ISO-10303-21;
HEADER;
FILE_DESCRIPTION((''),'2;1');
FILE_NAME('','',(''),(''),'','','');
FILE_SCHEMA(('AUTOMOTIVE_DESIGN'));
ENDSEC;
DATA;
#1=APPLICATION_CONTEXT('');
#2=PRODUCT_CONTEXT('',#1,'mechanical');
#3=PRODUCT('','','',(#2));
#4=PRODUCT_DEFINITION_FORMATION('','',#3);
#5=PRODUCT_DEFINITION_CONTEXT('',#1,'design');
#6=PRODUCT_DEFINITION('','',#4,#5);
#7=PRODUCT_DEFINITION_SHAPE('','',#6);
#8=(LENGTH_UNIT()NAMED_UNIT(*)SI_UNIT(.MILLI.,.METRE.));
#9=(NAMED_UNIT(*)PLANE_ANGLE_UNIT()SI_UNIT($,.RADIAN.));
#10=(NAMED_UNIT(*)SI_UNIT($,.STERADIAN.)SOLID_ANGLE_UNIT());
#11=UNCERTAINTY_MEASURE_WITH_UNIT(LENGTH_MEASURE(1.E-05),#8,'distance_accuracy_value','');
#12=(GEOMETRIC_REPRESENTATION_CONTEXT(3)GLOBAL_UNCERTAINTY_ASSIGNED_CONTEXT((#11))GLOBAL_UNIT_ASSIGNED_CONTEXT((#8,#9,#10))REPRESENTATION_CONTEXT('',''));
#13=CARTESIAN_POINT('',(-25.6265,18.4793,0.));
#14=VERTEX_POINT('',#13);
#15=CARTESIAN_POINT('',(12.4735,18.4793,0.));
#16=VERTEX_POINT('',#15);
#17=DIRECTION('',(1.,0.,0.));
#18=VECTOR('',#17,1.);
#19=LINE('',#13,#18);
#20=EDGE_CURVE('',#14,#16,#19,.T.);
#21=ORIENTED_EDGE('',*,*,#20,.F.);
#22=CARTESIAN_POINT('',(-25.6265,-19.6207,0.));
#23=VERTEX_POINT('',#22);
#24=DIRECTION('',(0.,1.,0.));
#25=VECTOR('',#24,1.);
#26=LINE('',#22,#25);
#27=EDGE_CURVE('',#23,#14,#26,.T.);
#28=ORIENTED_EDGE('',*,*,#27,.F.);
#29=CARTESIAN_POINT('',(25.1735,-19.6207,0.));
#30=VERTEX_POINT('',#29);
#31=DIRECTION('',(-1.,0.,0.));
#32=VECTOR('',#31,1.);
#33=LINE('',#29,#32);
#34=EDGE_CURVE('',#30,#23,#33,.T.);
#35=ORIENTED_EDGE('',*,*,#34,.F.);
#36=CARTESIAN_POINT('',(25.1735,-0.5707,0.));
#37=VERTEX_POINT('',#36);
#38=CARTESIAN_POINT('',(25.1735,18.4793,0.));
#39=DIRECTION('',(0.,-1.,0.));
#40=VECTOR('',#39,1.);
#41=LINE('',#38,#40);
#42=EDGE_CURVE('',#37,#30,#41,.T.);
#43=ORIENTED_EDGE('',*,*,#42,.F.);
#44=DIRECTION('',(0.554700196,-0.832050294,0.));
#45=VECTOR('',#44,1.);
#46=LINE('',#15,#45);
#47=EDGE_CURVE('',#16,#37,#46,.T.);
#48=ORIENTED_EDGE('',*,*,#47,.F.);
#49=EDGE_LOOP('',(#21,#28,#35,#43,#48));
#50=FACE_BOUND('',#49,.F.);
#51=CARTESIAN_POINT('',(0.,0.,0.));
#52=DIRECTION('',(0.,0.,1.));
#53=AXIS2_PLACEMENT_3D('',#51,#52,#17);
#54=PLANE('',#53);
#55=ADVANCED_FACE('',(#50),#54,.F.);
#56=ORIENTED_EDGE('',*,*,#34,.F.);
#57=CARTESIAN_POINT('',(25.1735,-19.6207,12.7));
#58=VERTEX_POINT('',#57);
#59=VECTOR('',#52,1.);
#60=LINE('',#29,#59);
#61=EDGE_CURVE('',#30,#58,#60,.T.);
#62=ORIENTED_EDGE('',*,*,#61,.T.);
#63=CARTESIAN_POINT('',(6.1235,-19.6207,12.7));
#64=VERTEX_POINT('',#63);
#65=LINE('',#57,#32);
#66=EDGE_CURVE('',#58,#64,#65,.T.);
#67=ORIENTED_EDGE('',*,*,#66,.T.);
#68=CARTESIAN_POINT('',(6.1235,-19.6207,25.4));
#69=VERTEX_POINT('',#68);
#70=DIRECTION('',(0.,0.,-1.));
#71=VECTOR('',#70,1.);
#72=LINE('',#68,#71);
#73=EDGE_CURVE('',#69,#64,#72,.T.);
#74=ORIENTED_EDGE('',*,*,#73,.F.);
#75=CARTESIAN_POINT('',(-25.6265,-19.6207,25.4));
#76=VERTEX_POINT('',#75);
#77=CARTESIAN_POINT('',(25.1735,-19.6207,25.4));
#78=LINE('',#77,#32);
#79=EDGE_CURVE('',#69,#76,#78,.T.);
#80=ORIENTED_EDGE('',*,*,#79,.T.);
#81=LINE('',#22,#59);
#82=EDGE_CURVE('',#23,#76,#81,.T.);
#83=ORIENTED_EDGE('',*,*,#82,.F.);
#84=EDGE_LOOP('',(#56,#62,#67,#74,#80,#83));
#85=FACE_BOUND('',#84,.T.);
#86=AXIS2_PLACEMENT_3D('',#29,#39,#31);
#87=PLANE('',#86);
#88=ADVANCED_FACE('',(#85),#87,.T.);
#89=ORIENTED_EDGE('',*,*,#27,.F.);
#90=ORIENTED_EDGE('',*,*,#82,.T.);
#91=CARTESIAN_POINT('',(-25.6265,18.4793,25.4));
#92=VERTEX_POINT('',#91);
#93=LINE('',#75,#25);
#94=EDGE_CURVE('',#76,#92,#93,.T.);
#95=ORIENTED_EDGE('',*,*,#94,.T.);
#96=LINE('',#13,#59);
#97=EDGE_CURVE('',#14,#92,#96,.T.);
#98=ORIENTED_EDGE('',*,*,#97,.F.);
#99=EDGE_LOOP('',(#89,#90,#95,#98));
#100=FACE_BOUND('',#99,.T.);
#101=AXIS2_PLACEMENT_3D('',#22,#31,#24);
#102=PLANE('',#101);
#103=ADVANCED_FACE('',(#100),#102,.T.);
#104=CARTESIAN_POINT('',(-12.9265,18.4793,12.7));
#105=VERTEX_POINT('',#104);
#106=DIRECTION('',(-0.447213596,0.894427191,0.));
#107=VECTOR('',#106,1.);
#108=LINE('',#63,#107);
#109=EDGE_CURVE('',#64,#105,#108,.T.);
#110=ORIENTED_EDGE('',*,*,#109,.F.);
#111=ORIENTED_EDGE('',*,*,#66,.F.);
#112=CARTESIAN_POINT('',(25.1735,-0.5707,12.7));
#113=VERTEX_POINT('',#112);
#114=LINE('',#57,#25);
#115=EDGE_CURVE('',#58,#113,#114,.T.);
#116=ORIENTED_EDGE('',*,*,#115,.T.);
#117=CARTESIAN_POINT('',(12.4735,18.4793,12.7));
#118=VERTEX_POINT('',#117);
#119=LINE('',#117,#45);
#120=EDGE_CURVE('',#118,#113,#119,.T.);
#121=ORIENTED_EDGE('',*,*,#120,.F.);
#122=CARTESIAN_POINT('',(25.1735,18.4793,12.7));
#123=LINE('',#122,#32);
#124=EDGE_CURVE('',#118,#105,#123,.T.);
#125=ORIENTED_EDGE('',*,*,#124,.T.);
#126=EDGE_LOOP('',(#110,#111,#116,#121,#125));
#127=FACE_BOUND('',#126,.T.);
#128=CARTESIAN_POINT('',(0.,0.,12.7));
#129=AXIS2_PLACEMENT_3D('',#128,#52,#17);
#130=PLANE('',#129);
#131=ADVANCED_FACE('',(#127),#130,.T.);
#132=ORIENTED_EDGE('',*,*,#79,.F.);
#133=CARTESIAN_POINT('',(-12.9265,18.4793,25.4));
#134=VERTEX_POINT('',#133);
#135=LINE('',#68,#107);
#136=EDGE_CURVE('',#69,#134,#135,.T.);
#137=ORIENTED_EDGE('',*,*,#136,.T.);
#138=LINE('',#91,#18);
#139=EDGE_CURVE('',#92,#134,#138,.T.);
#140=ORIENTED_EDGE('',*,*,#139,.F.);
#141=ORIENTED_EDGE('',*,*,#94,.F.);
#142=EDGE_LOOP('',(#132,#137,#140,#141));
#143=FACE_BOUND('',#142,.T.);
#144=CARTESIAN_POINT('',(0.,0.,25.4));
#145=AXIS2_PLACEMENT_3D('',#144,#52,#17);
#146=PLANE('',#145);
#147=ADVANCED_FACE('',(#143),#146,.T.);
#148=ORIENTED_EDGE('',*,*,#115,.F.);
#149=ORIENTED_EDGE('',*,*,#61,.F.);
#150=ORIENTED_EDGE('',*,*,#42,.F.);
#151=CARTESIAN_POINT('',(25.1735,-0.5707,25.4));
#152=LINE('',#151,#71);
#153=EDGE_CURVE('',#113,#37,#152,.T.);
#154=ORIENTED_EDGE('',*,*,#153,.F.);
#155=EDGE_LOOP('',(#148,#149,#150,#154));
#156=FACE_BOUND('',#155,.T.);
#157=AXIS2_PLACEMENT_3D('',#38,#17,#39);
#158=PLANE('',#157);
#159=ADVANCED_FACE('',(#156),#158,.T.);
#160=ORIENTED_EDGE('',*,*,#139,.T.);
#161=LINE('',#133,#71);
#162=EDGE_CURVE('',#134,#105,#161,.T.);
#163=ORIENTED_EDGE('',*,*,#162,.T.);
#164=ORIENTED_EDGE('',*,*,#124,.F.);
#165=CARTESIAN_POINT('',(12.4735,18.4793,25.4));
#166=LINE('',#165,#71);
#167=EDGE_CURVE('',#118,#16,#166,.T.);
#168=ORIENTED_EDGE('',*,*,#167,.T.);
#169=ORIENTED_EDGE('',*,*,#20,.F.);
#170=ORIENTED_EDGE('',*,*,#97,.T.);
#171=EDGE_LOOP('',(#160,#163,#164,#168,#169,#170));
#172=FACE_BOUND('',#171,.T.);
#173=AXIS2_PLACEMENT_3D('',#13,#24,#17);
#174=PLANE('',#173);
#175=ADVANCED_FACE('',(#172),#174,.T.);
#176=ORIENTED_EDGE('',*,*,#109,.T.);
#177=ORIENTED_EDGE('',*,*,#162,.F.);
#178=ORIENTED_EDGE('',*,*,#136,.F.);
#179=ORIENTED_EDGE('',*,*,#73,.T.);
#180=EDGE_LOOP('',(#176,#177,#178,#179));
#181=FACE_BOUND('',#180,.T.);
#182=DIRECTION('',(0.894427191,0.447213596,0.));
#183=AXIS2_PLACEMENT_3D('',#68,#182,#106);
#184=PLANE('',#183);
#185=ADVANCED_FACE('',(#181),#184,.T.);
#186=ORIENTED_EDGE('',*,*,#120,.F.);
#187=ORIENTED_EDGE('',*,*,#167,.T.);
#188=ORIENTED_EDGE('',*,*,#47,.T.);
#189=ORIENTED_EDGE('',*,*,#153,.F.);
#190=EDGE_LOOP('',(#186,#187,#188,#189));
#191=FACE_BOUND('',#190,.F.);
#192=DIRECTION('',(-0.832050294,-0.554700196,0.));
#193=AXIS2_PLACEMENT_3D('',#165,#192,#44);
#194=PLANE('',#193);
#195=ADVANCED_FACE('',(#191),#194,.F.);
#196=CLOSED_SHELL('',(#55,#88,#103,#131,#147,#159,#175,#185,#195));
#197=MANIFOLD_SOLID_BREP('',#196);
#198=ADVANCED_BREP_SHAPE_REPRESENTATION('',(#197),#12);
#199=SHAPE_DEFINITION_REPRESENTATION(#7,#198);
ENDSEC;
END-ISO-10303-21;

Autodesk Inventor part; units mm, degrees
ref_plane "YZ Plane" through (0, 0, 0) normal (1, 0, 0) x (0, 1, 0)
ref_plane "XZ Plane" through (0, 0, 0) normal (0, 1, 0) x (-1, 0, 0)
ref_plane "XY Plane" through (0, 0, 0) normal (0, 0, 1) x (1, 0, 0)
sketch "Sketch1" plane through (0, 0, 0) normal (0, 0, 1) x (1, 0, 0)
  line L0 (-25.6265, 18.4793) -> (25.1735, 18.4793)
  line L1 (25.1735, 18.4793) -> (25.1735, -19.6207)
  line L2 (25.1735, -19.6207) -> (-25.6265, -19.6207)
  line L3 (-25.6265, -19.6207) -> (-25.6265, 18.4793)
  point P0 (0, 0)
  dimension "d0" = 50.8
  dimension "d1" = 38.1
extrude "Extrusion1" add sketch "Sketch1" along normal blind 25.4
sketch "Sketch2" plane through (0, 0, 25.4) normal (0, 0, 1) x (1, 0, 0)
  line L0 (25.1735, 18.4793) -> (-25.6265, 18.4793) projected
  line L1 (25.1735, 18.4793) -> (25.1735, -0.5707)
  line L2 (25.1735, -19.6207) -> (25.1735, 18.4793) projected
  line L3 (25.1735, 18.4793) -> (12.4735, 18.4793)
  line L4 (12.4735, 18.4793) -> (25.1735, -0.5707)
  line L5 (-25.6265, 18.4793) -> (-12.9265, 18.4793)
  line L6 (25.1735, -19.6207) -> (6.1235, -19.6207)
  line L7 (-25.6265, -19.6207) -> (25.1735, -19.6207) projected
  line L8 (6.1235, -19.6207) -> (-12.9265, 18.4793)
  line L9 (-12.9265, 18.4793) -> (12.4735, 18.4793)
  line L10 (25.1735, -0.5707) -> (25.1735, -19.6207)
  point P0 (0, 0)
  dimension "d4" = 19.05
  dimension "d5" = 12.7
  dimension "d6" = 12.7
  dimension "d7" = 19.05
extrude "Extrusion2" cut sketch "Sketch2" against normal blind 25.4 contours L1 L4 L0
extrude "Extrusion3" cut sketch "Sketch2" against normal blind 12.7 contours L4 L2 L6 L8 L0
